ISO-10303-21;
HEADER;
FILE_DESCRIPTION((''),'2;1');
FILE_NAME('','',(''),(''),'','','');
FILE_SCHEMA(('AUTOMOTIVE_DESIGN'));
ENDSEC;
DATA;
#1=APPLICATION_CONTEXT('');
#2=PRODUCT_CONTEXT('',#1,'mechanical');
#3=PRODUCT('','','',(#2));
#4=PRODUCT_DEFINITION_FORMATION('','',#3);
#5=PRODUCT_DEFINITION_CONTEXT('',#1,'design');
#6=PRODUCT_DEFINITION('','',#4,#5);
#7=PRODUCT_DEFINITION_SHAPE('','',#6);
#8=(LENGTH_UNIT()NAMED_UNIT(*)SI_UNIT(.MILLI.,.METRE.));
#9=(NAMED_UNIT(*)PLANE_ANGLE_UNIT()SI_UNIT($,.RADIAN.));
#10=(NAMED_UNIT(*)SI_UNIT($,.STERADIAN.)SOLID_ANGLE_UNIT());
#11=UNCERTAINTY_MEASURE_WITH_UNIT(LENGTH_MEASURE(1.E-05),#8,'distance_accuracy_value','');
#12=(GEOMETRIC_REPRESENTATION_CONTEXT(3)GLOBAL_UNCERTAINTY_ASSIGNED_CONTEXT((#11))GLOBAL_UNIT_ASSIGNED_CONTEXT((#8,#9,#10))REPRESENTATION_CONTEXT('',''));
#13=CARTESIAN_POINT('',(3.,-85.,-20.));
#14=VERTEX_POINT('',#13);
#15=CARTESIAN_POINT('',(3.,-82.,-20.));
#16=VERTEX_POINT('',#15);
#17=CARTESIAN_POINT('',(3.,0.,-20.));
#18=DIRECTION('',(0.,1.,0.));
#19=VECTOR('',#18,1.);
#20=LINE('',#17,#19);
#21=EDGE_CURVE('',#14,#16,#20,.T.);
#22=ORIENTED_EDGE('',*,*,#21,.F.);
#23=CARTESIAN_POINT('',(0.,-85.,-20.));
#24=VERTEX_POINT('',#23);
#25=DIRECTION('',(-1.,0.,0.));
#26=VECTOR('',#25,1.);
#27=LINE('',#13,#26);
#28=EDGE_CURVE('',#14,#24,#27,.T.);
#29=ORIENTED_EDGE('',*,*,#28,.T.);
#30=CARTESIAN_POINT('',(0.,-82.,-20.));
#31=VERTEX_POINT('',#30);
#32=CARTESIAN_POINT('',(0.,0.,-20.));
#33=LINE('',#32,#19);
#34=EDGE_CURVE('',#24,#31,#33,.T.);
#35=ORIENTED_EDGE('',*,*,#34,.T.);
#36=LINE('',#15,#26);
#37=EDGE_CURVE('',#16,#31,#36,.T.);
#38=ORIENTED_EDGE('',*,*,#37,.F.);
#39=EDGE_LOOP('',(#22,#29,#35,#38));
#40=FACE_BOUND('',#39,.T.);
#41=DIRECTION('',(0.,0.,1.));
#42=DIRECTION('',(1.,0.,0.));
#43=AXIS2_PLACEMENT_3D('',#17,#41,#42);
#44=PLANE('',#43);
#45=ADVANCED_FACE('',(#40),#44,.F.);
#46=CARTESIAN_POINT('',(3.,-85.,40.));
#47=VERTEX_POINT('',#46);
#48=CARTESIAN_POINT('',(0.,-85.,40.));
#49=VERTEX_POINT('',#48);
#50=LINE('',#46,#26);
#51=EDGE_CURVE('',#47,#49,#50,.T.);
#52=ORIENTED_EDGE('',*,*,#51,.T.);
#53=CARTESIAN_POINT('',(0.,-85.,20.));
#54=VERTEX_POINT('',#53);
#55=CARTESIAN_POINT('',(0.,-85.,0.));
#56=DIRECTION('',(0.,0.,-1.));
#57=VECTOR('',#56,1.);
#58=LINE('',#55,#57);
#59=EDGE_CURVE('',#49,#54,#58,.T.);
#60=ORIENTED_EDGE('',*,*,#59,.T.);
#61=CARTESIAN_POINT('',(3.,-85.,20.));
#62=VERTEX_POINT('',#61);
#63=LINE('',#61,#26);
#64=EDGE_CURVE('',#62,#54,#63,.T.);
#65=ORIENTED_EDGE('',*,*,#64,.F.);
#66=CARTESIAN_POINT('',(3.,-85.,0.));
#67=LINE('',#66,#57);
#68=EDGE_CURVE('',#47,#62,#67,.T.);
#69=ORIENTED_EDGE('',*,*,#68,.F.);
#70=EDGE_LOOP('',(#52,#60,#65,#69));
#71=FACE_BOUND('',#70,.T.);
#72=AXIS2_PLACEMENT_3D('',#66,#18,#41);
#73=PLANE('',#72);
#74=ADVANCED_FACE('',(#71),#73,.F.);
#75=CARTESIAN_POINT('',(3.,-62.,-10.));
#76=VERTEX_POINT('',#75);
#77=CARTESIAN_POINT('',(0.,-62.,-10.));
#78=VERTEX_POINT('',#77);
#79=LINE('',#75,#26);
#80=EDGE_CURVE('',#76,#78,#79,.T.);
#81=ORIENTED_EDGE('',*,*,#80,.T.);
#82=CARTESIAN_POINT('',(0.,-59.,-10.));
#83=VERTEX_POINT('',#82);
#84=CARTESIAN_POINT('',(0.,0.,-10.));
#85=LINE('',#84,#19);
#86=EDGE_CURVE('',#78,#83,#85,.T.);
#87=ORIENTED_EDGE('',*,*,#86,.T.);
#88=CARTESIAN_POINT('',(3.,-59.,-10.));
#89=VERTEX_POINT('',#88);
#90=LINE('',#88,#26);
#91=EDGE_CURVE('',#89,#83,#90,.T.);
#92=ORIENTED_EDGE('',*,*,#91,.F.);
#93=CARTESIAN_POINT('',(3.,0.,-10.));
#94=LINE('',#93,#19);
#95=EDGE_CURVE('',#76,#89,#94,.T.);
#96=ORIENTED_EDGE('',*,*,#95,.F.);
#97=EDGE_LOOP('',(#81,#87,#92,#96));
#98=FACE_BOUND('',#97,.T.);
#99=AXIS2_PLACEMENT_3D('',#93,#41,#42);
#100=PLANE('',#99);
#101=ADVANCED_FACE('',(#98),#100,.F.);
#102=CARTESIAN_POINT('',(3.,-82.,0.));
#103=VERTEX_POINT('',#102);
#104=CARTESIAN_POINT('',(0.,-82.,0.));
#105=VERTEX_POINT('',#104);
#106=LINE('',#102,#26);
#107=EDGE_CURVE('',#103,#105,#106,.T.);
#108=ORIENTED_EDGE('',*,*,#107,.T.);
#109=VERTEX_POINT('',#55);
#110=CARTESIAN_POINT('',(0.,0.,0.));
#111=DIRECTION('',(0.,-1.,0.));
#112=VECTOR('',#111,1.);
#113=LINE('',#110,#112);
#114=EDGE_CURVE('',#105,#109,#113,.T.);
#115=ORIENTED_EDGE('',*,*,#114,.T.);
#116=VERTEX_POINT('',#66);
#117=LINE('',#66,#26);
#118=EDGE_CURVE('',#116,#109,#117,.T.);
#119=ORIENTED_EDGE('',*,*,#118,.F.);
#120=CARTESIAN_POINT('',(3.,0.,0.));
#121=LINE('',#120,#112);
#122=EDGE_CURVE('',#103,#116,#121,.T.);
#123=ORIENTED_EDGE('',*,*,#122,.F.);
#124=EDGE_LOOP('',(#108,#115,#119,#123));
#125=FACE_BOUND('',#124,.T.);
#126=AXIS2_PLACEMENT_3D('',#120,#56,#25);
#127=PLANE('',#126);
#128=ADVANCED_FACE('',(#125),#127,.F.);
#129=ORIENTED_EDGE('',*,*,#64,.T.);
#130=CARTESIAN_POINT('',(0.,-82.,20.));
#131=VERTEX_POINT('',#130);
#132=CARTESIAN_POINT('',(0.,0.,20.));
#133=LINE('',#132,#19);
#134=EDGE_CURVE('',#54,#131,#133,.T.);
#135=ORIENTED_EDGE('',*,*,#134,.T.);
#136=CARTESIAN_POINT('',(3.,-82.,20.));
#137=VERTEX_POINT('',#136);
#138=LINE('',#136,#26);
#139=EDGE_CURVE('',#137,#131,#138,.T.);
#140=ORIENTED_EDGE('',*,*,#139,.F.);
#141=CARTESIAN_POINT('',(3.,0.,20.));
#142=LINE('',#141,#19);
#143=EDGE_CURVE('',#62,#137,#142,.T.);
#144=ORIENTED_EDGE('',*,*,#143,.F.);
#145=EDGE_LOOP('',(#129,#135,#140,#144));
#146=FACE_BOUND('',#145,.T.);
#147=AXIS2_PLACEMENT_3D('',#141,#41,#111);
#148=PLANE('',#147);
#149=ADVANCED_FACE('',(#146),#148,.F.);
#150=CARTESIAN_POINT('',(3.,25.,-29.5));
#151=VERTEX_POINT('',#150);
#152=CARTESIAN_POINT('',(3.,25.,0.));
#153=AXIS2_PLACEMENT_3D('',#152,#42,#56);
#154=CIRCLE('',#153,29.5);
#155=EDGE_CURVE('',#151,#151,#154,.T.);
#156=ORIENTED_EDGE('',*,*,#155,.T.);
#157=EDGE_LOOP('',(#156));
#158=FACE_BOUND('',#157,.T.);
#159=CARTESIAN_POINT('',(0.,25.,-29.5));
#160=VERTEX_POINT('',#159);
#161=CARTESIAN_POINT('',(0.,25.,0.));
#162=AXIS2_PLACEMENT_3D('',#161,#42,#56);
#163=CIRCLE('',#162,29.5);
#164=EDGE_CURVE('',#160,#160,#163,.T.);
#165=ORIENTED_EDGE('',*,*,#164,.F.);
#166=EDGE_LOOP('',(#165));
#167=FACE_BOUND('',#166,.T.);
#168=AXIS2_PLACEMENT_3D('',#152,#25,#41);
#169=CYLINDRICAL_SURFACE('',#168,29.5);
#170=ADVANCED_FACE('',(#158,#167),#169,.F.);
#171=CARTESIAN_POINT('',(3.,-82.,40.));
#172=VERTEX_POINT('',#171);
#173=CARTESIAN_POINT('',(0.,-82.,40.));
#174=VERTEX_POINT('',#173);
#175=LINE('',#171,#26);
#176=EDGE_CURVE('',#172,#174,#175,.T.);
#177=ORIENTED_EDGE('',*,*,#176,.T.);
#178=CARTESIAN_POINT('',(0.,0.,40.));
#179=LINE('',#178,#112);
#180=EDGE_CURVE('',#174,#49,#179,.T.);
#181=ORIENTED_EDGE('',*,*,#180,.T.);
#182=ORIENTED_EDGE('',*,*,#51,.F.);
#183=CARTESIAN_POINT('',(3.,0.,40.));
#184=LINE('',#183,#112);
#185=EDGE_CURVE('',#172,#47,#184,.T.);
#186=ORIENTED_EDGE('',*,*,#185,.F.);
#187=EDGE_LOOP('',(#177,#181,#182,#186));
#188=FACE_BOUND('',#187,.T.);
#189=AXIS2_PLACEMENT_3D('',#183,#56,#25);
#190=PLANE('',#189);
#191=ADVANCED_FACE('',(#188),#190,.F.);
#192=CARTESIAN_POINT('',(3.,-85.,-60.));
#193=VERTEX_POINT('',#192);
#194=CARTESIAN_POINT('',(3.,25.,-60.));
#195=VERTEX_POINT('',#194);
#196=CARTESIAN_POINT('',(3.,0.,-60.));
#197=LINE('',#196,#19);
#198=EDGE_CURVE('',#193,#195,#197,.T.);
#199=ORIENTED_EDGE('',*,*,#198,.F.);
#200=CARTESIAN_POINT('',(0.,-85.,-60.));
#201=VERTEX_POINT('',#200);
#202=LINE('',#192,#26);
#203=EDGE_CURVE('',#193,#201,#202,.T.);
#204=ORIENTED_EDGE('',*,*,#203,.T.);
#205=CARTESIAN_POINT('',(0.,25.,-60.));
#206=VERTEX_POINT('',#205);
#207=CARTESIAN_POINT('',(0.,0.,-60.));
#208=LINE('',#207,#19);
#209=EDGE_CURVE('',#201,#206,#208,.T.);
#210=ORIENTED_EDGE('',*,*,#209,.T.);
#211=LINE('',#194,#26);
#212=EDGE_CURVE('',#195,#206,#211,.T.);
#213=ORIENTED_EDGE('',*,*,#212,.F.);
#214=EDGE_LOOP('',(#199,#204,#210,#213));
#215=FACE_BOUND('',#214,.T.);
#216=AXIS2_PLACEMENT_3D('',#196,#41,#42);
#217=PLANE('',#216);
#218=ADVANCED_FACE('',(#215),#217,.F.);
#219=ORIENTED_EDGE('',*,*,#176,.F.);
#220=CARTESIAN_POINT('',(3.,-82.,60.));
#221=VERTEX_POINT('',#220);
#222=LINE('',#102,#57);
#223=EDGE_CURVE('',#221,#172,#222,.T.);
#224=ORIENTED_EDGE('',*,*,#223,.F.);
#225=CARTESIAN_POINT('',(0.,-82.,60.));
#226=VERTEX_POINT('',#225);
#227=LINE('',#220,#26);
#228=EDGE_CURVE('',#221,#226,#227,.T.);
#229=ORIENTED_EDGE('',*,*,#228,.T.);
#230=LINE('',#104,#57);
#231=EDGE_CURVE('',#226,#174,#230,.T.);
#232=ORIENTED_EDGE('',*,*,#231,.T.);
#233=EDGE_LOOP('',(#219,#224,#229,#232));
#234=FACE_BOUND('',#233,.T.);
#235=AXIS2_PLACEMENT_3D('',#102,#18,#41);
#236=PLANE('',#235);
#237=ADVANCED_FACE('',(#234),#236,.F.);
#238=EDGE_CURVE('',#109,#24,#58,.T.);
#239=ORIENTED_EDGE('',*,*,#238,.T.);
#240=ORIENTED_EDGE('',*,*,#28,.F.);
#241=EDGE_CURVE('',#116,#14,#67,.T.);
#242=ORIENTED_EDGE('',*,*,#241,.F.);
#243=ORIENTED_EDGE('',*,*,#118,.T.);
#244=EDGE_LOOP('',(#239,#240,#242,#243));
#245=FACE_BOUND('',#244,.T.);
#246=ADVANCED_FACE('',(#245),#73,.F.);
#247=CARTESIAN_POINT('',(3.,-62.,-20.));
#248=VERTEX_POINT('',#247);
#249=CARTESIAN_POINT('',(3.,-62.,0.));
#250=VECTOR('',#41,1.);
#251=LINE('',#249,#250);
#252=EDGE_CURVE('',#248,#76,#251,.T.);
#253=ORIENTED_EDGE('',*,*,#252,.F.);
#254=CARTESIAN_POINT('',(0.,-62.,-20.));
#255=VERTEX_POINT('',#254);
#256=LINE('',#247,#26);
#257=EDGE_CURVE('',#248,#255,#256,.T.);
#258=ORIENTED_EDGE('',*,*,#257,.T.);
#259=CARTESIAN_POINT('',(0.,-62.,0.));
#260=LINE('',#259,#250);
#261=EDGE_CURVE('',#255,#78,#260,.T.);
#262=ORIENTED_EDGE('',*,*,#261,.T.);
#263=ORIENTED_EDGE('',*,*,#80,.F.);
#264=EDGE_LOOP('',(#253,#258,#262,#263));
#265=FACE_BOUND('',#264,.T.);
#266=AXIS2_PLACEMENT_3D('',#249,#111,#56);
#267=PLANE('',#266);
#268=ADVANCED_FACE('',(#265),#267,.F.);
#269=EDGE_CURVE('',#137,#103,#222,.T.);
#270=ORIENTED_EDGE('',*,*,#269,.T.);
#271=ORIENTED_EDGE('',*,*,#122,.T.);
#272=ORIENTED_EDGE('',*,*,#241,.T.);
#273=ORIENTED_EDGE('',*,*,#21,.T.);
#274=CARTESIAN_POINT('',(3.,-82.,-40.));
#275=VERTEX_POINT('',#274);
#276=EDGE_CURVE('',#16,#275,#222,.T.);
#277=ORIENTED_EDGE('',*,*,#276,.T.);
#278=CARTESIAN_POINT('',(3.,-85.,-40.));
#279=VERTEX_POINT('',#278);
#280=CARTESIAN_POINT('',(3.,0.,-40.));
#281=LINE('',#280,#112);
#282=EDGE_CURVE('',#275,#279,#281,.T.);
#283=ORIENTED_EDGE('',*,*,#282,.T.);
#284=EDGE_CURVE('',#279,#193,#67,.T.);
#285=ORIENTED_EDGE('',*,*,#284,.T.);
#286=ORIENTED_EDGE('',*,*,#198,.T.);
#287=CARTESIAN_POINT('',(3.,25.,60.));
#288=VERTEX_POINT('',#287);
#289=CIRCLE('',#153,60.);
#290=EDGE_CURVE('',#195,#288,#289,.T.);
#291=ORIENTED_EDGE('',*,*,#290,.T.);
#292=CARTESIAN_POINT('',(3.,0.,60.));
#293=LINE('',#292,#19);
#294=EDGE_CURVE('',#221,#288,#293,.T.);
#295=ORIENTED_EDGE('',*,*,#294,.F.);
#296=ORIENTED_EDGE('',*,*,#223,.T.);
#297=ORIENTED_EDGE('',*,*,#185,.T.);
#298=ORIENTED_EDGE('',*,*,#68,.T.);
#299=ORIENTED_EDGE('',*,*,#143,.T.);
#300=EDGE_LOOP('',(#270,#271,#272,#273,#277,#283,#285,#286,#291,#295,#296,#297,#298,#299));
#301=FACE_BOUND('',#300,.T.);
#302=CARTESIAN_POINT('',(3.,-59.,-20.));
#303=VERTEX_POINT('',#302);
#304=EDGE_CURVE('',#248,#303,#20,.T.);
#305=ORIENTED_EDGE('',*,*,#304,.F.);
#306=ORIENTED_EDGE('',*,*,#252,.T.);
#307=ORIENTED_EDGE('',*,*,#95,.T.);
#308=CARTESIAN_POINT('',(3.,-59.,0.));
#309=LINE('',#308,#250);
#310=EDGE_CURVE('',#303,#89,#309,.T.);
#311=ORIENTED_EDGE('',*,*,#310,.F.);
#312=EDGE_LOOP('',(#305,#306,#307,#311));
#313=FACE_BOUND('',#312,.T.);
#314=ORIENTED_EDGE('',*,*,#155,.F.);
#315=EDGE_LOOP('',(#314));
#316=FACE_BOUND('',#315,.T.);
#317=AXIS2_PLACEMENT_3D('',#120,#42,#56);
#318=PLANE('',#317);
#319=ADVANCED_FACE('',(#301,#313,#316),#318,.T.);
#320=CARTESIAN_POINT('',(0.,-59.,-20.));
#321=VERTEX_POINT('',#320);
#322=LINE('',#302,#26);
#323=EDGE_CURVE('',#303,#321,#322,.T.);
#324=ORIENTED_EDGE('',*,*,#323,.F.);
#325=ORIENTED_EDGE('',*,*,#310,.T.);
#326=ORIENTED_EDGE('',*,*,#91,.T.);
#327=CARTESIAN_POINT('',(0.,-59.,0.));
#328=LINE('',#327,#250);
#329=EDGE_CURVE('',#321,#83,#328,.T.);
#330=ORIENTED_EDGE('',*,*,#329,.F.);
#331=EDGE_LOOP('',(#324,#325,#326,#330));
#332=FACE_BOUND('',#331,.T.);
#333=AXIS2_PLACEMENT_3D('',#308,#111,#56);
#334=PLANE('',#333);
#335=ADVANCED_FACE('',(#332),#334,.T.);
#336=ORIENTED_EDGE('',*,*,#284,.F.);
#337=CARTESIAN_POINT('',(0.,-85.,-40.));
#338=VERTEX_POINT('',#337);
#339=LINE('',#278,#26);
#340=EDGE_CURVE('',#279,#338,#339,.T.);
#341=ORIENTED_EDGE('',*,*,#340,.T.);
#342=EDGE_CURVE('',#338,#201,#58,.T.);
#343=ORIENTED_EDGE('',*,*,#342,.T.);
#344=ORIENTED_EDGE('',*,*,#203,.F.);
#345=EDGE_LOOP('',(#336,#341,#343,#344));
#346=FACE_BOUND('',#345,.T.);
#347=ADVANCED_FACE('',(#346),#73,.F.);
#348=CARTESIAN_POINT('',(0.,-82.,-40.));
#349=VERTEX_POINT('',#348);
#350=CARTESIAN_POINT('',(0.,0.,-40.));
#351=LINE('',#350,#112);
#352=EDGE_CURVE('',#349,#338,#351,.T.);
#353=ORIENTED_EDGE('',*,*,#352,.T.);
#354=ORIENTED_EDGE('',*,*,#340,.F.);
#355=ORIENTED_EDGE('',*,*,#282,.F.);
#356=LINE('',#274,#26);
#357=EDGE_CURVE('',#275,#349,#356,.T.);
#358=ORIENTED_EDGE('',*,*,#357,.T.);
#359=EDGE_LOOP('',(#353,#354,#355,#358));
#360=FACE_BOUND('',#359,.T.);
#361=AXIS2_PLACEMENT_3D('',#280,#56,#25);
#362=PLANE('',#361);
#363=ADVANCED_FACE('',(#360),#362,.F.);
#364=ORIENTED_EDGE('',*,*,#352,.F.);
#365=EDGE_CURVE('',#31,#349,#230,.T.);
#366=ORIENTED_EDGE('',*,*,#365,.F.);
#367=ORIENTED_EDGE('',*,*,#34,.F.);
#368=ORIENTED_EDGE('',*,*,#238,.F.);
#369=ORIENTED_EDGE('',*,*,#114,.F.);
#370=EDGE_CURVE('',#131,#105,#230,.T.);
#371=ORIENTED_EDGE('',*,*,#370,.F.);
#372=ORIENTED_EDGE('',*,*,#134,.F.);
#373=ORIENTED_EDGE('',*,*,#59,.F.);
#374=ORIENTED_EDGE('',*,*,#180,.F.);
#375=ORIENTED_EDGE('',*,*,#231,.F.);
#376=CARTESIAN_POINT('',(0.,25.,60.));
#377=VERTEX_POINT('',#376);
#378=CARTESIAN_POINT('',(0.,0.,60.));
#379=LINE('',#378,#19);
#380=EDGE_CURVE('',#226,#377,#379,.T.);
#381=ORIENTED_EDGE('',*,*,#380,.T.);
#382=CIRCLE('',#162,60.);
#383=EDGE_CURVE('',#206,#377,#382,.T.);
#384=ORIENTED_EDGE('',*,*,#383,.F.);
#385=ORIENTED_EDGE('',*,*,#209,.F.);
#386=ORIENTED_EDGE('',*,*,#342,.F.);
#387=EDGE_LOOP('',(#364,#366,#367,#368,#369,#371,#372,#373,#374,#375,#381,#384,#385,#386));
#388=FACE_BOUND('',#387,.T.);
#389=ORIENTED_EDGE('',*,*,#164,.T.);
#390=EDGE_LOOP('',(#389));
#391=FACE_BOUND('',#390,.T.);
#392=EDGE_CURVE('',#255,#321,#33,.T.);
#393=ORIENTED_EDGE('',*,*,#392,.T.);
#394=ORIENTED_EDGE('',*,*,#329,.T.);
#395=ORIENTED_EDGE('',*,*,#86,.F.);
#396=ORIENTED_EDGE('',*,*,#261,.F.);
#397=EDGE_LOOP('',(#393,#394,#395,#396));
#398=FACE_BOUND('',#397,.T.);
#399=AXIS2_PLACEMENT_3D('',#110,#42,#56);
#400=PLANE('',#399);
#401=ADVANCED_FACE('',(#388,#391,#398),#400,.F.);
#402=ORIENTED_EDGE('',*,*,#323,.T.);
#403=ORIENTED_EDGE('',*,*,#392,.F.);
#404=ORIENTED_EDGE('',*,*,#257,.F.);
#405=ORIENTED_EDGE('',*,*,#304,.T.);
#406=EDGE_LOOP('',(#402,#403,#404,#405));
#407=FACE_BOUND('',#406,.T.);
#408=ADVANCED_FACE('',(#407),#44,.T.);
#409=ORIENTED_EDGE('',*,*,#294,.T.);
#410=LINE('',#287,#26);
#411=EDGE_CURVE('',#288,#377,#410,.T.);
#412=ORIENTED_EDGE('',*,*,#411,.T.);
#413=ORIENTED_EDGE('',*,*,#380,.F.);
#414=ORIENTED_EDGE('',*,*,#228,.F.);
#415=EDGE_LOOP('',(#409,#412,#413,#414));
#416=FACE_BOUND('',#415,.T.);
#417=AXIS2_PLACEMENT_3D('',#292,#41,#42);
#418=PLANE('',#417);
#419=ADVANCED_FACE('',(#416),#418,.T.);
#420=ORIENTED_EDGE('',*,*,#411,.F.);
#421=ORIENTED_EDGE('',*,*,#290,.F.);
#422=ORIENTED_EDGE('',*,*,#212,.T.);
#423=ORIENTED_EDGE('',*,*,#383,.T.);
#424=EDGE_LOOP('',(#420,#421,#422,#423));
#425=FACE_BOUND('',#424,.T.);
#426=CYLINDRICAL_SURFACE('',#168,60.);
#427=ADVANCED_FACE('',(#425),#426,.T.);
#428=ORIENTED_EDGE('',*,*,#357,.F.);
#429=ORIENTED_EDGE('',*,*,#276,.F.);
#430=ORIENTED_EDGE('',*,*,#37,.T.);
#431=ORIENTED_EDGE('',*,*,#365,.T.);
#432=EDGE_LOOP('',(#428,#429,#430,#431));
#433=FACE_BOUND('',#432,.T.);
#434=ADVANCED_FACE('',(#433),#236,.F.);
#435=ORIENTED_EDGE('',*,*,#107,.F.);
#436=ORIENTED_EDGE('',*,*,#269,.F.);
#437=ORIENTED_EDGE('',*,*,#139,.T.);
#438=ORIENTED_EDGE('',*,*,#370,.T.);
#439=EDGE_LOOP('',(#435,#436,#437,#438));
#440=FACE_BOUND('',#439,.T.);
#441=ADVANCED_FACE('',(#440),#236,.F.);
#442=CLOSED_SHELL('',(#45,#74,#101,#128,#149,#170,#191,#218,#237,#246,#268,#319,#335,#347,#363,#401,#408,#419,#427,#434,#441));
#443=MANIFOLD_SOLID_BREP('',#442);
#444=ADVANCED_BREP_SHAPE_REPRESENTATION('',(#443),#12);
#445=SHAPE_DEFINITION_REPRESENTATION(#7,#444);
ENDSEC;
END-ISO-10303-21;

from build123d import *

# Parameters (mm, degrees)
CROQUIS1_R              = 29.5
CROQUIS1_W              = 10
CROQUIS1_H              = 3
SALIENTE_EXTRUIR1_DEPTH = 3


with BuildPart() as part:
    # Croquis1 → Saliente-Extruir1 (new body)
    with BuildSketch(Plane(origin=(0, 0, 0), x_dir=(0, 0, -1), z_dir=(1, 0, 0))):
        with BuildLine():
            Line((-60, -82), (-40, -82))
            Line((-40, -82), (-40, -85))
            Line((-40, -85), (-20, -85))
            Line((-20, -85), (-20, -82))
            Line((-20, -82), (0, -82))
            Line((0, -82), (0, -85))
            Line((0, -85), (20, -85))
            Line((20, -85), (20, -82))
            Line((20, -82), (40, -82))
            Line((40, -82), (40, -85))
            Line((40, -85), (60, -85))
            Line((60, -85), (60, 25))
            ThreePointArc((60, 25), (0, 85), (-60, 25))
            Line((-60, 25), (-60, -82))
        make_face()
        with Locations((0, 25)):
            Circle(CROQUIS1_R, mode=Mode.SUBTRACT)
        with Locations((15, -60.5)):
            Rectangle(CROQUIS1_W, CROQUIS1_H, mode=Mode.SUBTRACT)
    extrude(amount=SALIENTE_EXTRUIR1_DEPTH)


solid = part.part
